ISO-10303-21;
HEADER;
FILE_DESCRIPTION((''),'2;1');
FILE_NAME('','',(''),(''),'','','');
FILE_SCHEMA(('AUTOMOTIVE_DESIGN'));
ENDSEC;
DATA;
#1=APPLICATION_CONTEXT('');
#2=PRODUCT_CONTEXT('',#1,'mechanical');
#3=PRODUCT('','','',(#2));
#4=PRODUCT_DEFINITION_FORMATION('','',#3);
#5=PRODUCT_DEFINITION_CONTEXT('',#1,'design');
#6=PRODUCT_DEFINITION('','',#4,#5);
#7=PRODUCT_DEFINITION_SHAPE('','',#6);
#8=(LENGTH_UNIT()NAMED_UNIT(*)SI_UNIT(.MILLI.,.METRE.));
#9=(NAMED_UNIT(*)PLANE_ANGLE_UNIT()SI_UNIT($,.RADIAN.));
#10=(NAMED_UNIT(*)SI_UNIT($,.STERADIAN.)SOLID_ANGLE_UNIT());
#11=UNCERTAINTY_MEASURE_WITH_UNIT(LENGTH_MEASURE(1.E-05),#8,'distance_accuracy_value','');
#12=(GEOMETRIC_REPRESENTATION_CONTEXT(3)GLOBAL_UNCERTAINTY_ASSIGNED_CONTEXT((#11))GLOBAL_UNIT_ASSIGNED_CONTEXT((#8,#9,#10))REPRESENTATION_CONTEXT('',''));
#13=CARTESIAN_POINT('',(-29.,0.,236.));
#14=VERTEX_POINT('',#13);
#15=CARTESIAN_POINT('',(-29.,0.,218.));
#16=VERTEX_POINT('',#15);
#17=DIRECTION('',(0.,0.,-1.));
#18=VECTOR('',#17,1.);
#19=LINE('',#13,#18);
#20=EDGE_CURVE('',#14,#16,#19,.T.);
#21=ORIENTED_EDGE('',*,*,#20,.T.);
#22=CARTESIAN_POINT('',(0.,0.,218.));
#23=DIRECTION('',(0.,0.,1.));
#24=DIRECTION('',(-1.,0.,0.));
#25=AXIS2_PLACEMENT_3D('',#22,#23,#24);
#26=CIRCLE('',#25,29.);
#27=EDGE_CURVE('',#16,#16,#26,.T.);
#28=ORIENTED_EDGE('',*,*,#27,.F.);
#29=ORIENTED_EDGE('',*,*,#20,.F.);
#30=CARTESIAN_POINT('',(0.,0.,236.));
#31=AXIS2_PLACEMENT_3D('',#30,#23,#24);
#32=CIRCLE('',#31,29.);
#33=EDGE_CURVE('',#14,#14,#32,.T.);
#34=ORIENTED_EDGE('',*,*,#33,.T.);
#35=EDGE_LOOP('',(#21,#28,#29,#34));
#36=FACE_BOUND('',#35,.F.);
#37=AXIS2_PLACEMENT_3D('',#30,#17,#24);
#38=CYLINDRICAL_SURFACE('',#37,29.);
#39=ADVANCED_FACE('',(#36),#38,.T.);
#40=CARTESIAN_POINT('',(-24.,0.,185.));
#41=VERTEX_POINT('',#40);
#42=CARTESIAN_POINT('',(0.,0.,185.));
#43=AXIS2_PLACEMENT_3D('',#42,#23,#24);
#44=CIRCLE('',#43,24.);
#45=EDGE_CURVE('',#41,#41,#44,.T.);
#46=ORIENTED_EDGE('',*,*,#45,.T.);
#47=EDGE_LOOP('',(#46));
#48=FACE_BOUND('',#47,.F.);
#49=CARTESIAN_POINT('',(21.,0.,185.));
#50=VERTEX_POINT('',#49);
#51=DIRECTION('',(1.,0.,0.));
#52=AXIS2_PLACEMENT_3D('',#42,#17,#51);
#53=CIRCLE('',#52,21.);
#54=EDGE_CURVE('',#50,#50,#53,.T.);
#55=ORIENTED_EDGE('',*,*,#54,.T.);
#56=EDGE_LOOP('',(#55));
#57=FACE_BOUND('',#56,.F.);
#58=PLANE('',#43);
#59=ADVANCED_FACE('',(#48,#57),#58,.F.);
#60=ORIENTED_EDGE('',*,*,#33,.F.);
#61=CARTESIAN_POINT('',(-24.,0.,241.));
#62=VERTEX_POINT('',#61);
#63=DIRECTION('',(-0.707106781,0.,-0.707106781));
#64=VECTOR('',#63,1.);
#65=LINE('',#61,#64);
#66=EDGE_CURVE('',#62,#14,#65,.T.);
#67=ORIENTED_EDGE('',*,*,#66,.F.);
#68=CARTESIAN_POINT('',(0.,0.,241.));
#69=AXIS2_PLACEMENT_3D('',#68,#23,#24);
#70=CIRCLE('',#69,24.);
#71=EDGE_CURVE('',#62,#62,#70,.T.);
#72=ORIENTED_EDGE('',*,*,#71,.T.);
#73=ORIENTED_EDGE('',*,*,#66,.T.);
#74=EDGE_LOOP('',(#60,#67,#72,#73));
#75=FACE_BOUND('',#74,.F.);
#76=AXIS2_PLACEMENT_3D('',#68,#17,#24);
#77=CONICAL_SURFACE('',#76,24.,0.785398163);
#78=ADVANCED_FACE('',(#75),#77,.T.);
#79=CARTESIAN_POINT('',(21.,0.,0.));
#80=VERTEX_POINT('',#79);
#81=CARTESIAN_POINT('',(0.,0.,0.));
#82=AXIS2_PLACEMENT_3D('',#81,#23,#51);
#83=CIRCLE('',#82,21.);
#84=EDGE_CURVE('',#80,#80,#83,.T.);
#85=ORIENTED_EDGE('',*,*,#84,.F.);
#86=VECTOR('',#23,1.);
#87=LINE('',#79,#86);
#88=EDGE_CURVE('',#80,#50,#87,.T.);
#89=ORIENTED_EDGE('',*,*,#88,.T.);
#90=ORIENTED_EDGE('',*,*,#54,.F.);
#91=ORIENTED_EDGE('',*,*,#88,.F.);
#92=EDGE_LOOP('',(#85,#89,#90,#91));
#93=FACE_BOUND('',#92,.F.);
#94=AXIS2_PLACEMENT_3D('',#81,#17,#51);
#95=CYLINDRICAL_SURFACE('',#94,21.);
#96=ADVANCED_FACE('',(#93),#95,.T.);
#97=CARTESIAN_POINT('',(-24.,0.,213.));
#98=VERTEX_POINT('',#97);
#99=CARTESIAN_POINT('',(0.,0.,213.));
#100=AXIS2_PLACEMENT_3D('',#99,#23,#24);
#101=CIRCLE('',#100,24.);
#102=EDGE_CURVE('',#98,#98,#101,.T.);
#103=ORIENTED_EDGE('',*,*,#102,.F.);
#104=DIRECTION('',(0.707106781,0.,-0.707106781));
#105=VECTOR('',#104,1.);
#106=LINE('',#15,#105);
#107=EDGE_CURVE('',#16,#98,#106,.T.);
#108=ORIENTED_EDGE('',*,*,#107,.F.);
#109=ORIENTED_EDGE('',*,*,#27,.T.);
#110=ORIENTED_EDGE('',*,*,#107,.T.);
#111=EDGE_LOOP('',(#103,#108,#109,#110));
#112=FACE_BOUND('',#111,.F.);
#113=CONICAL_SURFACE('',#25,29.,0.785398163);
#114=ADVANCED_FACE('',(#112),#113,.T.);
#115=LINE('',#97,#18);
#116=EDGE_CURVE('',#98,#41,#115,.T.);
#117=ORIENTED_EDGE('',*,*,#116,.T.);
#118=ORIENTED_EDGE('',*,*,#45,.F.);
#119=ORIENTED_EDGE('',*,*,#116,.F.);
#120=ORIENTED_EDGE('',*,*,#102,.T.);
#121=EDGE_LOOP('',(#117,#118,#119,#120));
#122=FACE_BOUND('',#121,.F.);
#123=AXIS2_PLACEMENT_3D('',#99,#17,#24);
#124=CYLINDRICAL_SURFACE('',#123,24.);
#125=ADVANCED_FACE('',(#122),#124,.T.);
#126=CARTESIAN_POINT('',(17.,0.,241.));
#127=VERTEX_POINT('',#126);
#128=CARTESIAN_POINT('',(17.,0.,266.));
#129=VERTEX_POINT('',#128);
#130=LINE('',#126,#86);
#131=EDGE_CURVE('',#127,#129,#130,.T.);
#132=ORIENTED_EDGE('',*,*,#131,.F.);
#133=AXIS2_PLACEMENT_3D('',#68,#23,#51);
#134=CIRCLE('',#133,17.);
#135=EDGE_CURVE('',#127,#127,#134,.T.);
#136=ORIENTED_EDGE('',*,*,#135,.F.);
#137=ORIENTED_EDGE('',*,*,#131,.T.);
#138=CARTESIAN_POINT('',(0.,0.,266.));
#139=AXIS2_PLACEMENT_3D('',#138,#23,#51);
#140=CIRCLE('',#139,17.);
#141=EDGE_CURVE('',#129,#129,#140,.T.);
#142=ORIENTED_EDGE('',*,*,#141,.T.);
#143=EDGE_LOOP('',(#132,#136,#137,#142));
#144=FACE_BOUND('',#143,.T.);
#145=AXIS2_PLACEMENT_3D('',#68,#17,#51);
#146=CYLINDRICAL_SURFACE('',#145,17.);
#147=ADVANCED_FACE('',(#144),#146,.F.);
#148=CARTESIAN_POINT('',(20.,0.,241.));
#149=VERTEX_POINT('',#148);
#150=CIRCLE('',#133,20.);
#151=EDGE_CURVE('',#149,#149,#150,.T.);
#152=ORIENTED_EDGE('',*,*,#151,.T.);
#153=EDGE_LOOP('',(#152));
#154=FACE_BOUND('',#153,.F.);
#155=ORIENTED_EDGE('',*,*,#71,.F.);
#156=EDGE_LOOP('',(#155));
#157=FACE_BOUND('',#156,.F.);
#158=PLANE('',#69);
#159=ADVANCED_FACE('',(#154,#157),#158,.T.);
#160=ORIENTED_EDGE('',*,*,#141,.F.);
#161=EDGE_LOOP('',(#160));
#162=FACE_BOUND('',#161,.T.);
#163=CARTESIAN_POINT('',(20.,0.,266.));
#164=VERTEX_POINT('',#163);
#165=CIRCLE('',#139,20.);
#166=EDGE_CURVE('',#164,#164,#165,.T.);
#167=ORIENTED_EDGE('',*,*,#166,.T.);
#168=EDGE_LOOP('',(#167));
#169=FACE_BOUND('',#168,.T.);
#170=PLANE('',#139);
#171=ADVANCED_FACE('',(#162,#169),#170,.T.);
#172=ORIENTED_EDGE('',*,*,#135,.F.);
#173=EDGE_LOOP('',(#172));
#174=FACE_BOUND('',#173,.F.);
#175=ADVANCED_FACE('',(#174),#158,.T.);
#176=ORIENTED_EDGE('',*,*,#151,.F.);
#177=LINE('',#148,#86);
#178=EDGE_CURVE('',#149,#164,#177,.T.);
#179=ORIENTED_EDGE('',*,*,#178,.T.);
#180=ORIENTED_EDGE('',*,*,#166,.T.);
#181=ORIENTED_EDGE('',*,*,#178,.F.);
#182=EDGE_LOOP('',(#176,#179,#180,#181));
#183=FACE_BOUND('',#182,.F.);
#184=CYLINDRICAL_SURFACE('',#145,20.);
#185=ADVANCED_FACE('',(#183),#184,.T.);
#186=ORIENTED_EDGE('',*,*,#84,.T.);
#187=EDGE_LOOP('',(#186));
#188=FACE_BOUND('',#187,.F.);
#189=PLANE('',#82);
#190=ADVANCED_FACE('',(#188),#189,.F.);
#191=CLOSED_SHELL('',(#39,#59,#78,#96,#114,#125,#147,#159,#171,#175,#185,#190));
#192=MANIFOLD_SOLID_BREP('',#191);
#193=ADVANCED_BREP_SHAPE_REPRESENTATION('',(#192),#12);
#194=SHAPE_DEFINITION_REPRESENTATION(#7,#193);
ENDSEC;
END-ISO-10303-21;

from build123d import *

# Parameters (mm, degrees)
F0_R     = 21
F1_DEPTH = 200
F4_R     = 20
F4_R_2   = 17
F5_DEPTH = 25


with BuildPart() as f1:
    # F0 (on Top) → F1 (new body)
    with BuildSketch(Plane.XY):
        Circle(F0_R)
    extrude(amount=F1_DEPTH)

    # F2 (on Front) → F3 (revolve)
    with BuildSketch(Plane.XZ):
        Polygon((-24, 185), (0, 185), (0, 241), (-24, 241), (-29, 236), (-29, 218), (-24, 213), align=None)
    revolve(axis=Axis((0, 0, 74.559175), (0, 0, 1)))

    # F4 (on face) → F5 (join)
    with BuildSketch(Plane.XY.offset(241)):
        Circle(F4_R)
        Circle(F4_R_2, mode=Mode.SUBTRACT)
    extrude(amount=F5_DEPTH)


solid = f1.part
